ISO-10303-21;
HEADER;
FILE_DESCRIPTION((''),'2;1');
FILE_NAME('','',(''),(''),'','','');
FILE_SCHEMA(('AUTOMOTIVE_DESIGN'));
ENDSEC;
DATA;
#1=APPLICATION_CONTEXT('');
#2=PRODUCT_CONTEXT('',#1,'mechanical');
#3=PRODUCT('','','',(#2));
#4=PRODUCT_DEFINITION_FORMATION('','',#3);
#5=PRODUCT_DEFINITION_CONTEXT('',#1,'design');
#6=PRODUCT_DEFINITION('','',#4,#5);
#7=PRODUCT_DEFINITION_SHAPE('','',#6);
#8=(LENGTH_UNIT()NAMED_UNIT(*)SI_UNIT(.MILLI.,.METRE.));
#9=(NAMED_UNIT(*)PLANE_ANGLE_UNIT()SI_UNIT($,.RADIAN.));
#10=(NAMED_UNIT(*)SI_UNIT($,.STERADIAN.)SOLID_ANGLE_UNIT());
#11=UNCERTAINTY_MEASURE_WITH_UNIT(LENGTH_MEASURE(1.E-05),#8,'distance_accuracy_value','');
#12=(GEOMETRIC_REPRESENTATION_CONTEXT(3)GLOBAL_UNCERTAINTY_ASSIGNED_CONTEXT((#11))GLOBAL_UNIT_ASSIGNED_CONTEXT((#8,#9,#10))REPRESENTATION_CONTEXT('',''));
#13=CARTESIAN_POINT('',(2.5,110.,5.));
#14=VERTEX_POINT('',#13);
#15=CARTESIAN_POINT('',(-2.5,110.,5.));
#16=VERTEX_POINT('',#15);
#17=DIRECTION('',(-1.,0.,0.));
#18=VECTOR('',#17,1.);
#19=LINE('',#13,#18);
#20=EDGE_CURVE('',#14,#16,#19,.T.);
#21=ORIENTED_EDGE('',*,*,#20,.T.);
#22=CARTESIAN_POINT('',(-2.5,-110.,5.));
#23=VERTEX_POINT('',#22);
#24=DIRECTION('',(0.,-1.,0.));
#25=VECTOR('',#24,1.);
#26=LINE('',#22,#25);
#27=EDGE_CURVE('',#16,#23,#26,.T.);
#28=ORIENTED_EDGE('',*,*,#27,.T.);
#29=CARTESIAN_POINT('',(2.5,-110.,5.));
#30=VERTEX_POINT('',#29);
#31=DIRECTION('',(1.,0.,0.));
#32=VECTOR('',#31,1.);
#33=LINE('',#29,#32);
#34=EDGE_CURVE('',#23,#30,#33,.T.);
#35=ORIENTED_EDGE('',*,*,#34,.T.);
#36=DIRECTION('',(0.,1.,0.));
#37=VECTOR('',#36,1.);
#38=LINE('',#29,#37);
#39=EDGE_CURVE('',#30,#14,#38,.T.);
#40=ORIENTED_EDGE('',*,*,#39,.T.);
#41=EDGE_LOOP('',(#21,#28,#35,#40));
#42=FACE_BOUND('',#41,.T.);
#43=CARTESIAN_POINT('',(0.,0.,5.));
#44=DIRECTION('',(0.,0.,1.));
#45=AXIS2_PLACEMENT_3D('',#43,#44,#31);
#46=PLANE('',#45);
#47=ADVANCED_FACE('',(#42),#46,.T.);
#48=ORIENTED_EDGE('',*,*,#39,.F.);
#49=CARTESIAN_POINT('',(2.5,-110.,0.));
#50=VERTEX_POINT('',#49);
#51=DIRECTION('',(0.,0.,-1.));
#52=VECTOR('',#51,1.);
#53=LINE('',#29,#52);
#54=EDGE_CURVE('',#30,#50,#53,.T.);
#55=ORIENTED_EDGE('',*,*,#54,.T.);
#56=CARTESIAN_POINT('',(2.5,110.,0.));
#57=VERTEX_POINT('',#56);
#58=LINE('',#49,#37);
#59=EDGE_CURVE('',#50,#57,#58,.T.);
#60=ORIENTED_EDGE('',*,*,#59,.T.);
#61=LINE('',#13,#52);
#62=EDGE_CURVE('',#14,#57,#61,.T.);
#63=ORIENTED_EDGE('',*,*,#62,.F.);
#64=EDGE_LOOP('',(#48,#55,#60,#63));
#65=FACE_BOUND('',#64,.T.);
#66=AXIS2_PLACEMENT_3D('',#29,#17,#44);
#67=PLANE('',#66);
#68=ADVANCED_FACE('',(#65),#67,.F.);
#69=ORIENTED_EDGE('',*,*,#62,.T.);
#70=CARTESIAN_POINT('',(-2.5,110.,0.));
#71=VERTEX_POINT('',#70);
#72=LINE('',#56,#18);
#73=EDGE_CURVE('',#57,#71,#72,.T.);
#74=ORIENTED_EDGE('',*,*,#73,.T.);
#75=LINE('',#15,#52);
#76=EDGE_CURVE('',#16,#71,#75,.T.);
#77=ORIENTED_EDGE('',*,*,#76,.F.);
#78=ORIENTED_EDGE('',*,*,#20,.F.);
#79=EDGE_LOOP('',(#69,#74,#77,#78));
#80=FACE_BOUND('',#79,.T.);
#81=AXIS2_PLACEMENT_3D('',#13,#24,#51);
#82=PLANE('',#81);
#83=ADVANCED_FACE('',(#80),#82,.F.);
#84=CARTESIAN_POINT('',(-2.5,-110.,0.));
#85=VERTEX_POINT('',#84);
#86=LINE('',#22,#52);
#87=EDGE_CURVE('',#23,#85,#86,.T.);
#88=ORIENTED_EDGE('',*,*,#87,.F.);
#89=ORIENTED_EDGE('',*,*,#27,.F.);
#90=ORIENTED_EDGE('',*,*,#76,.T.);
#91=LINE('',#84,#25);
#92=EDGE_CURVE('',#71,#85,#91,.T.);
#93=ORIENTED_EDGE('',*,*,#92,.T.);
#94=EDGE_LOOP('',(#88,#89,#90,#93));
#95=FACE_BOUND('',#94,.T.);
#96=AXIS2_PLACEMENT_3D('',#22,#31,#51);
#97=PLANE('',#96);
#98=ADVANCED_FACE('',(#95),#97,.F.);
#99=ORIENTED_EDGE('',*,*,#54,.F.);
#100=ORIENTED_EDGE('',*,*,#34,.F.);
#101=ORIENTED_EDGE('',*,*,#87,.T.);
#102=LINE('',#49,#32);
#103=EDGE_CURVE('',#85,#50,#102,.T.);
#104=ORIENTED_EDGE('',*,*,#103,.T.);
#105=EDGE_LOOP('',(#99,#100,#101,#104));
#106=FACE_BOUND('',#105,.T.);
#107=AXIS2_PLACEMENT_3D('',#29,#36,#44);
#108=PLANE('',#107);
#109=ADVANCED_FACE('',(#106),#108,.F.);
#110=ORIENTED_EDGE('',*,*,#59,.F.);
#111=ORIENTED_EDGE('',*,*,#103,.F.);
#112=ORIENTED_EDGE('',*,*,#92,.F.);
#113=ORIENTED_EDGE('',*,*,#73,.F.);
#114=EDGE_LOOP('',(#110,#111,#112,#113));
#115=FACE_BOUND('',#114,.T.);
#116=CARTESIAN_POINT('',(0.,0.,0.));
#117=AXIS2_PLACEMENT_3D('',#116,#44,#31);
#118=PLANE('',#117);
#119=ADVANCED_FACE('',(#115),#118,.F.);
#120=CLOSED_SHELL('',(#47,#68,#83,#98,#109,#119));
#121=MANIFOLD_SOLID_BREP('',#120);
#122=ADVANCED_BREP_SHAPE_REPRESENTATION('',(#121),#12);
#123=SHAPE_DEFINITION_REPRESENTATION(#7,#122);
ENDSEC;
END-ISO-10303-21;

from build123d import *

# Parameters (mm, degrees)
SKETCH_1_W      = 5
SKETCH_1_H      = 220
EXTRUDE_1_DEPTH = 5


with BuildPart() as part:
    # 草图1 → 凸台-拉伸1 (new body)
    with BuildSketch(Plane.XY):
        Rectangle(SKETCH_1_W, SKETCH_1_H)
    extrude(amount=EXTRUDE_1_DEPTH)


solid = part.part
